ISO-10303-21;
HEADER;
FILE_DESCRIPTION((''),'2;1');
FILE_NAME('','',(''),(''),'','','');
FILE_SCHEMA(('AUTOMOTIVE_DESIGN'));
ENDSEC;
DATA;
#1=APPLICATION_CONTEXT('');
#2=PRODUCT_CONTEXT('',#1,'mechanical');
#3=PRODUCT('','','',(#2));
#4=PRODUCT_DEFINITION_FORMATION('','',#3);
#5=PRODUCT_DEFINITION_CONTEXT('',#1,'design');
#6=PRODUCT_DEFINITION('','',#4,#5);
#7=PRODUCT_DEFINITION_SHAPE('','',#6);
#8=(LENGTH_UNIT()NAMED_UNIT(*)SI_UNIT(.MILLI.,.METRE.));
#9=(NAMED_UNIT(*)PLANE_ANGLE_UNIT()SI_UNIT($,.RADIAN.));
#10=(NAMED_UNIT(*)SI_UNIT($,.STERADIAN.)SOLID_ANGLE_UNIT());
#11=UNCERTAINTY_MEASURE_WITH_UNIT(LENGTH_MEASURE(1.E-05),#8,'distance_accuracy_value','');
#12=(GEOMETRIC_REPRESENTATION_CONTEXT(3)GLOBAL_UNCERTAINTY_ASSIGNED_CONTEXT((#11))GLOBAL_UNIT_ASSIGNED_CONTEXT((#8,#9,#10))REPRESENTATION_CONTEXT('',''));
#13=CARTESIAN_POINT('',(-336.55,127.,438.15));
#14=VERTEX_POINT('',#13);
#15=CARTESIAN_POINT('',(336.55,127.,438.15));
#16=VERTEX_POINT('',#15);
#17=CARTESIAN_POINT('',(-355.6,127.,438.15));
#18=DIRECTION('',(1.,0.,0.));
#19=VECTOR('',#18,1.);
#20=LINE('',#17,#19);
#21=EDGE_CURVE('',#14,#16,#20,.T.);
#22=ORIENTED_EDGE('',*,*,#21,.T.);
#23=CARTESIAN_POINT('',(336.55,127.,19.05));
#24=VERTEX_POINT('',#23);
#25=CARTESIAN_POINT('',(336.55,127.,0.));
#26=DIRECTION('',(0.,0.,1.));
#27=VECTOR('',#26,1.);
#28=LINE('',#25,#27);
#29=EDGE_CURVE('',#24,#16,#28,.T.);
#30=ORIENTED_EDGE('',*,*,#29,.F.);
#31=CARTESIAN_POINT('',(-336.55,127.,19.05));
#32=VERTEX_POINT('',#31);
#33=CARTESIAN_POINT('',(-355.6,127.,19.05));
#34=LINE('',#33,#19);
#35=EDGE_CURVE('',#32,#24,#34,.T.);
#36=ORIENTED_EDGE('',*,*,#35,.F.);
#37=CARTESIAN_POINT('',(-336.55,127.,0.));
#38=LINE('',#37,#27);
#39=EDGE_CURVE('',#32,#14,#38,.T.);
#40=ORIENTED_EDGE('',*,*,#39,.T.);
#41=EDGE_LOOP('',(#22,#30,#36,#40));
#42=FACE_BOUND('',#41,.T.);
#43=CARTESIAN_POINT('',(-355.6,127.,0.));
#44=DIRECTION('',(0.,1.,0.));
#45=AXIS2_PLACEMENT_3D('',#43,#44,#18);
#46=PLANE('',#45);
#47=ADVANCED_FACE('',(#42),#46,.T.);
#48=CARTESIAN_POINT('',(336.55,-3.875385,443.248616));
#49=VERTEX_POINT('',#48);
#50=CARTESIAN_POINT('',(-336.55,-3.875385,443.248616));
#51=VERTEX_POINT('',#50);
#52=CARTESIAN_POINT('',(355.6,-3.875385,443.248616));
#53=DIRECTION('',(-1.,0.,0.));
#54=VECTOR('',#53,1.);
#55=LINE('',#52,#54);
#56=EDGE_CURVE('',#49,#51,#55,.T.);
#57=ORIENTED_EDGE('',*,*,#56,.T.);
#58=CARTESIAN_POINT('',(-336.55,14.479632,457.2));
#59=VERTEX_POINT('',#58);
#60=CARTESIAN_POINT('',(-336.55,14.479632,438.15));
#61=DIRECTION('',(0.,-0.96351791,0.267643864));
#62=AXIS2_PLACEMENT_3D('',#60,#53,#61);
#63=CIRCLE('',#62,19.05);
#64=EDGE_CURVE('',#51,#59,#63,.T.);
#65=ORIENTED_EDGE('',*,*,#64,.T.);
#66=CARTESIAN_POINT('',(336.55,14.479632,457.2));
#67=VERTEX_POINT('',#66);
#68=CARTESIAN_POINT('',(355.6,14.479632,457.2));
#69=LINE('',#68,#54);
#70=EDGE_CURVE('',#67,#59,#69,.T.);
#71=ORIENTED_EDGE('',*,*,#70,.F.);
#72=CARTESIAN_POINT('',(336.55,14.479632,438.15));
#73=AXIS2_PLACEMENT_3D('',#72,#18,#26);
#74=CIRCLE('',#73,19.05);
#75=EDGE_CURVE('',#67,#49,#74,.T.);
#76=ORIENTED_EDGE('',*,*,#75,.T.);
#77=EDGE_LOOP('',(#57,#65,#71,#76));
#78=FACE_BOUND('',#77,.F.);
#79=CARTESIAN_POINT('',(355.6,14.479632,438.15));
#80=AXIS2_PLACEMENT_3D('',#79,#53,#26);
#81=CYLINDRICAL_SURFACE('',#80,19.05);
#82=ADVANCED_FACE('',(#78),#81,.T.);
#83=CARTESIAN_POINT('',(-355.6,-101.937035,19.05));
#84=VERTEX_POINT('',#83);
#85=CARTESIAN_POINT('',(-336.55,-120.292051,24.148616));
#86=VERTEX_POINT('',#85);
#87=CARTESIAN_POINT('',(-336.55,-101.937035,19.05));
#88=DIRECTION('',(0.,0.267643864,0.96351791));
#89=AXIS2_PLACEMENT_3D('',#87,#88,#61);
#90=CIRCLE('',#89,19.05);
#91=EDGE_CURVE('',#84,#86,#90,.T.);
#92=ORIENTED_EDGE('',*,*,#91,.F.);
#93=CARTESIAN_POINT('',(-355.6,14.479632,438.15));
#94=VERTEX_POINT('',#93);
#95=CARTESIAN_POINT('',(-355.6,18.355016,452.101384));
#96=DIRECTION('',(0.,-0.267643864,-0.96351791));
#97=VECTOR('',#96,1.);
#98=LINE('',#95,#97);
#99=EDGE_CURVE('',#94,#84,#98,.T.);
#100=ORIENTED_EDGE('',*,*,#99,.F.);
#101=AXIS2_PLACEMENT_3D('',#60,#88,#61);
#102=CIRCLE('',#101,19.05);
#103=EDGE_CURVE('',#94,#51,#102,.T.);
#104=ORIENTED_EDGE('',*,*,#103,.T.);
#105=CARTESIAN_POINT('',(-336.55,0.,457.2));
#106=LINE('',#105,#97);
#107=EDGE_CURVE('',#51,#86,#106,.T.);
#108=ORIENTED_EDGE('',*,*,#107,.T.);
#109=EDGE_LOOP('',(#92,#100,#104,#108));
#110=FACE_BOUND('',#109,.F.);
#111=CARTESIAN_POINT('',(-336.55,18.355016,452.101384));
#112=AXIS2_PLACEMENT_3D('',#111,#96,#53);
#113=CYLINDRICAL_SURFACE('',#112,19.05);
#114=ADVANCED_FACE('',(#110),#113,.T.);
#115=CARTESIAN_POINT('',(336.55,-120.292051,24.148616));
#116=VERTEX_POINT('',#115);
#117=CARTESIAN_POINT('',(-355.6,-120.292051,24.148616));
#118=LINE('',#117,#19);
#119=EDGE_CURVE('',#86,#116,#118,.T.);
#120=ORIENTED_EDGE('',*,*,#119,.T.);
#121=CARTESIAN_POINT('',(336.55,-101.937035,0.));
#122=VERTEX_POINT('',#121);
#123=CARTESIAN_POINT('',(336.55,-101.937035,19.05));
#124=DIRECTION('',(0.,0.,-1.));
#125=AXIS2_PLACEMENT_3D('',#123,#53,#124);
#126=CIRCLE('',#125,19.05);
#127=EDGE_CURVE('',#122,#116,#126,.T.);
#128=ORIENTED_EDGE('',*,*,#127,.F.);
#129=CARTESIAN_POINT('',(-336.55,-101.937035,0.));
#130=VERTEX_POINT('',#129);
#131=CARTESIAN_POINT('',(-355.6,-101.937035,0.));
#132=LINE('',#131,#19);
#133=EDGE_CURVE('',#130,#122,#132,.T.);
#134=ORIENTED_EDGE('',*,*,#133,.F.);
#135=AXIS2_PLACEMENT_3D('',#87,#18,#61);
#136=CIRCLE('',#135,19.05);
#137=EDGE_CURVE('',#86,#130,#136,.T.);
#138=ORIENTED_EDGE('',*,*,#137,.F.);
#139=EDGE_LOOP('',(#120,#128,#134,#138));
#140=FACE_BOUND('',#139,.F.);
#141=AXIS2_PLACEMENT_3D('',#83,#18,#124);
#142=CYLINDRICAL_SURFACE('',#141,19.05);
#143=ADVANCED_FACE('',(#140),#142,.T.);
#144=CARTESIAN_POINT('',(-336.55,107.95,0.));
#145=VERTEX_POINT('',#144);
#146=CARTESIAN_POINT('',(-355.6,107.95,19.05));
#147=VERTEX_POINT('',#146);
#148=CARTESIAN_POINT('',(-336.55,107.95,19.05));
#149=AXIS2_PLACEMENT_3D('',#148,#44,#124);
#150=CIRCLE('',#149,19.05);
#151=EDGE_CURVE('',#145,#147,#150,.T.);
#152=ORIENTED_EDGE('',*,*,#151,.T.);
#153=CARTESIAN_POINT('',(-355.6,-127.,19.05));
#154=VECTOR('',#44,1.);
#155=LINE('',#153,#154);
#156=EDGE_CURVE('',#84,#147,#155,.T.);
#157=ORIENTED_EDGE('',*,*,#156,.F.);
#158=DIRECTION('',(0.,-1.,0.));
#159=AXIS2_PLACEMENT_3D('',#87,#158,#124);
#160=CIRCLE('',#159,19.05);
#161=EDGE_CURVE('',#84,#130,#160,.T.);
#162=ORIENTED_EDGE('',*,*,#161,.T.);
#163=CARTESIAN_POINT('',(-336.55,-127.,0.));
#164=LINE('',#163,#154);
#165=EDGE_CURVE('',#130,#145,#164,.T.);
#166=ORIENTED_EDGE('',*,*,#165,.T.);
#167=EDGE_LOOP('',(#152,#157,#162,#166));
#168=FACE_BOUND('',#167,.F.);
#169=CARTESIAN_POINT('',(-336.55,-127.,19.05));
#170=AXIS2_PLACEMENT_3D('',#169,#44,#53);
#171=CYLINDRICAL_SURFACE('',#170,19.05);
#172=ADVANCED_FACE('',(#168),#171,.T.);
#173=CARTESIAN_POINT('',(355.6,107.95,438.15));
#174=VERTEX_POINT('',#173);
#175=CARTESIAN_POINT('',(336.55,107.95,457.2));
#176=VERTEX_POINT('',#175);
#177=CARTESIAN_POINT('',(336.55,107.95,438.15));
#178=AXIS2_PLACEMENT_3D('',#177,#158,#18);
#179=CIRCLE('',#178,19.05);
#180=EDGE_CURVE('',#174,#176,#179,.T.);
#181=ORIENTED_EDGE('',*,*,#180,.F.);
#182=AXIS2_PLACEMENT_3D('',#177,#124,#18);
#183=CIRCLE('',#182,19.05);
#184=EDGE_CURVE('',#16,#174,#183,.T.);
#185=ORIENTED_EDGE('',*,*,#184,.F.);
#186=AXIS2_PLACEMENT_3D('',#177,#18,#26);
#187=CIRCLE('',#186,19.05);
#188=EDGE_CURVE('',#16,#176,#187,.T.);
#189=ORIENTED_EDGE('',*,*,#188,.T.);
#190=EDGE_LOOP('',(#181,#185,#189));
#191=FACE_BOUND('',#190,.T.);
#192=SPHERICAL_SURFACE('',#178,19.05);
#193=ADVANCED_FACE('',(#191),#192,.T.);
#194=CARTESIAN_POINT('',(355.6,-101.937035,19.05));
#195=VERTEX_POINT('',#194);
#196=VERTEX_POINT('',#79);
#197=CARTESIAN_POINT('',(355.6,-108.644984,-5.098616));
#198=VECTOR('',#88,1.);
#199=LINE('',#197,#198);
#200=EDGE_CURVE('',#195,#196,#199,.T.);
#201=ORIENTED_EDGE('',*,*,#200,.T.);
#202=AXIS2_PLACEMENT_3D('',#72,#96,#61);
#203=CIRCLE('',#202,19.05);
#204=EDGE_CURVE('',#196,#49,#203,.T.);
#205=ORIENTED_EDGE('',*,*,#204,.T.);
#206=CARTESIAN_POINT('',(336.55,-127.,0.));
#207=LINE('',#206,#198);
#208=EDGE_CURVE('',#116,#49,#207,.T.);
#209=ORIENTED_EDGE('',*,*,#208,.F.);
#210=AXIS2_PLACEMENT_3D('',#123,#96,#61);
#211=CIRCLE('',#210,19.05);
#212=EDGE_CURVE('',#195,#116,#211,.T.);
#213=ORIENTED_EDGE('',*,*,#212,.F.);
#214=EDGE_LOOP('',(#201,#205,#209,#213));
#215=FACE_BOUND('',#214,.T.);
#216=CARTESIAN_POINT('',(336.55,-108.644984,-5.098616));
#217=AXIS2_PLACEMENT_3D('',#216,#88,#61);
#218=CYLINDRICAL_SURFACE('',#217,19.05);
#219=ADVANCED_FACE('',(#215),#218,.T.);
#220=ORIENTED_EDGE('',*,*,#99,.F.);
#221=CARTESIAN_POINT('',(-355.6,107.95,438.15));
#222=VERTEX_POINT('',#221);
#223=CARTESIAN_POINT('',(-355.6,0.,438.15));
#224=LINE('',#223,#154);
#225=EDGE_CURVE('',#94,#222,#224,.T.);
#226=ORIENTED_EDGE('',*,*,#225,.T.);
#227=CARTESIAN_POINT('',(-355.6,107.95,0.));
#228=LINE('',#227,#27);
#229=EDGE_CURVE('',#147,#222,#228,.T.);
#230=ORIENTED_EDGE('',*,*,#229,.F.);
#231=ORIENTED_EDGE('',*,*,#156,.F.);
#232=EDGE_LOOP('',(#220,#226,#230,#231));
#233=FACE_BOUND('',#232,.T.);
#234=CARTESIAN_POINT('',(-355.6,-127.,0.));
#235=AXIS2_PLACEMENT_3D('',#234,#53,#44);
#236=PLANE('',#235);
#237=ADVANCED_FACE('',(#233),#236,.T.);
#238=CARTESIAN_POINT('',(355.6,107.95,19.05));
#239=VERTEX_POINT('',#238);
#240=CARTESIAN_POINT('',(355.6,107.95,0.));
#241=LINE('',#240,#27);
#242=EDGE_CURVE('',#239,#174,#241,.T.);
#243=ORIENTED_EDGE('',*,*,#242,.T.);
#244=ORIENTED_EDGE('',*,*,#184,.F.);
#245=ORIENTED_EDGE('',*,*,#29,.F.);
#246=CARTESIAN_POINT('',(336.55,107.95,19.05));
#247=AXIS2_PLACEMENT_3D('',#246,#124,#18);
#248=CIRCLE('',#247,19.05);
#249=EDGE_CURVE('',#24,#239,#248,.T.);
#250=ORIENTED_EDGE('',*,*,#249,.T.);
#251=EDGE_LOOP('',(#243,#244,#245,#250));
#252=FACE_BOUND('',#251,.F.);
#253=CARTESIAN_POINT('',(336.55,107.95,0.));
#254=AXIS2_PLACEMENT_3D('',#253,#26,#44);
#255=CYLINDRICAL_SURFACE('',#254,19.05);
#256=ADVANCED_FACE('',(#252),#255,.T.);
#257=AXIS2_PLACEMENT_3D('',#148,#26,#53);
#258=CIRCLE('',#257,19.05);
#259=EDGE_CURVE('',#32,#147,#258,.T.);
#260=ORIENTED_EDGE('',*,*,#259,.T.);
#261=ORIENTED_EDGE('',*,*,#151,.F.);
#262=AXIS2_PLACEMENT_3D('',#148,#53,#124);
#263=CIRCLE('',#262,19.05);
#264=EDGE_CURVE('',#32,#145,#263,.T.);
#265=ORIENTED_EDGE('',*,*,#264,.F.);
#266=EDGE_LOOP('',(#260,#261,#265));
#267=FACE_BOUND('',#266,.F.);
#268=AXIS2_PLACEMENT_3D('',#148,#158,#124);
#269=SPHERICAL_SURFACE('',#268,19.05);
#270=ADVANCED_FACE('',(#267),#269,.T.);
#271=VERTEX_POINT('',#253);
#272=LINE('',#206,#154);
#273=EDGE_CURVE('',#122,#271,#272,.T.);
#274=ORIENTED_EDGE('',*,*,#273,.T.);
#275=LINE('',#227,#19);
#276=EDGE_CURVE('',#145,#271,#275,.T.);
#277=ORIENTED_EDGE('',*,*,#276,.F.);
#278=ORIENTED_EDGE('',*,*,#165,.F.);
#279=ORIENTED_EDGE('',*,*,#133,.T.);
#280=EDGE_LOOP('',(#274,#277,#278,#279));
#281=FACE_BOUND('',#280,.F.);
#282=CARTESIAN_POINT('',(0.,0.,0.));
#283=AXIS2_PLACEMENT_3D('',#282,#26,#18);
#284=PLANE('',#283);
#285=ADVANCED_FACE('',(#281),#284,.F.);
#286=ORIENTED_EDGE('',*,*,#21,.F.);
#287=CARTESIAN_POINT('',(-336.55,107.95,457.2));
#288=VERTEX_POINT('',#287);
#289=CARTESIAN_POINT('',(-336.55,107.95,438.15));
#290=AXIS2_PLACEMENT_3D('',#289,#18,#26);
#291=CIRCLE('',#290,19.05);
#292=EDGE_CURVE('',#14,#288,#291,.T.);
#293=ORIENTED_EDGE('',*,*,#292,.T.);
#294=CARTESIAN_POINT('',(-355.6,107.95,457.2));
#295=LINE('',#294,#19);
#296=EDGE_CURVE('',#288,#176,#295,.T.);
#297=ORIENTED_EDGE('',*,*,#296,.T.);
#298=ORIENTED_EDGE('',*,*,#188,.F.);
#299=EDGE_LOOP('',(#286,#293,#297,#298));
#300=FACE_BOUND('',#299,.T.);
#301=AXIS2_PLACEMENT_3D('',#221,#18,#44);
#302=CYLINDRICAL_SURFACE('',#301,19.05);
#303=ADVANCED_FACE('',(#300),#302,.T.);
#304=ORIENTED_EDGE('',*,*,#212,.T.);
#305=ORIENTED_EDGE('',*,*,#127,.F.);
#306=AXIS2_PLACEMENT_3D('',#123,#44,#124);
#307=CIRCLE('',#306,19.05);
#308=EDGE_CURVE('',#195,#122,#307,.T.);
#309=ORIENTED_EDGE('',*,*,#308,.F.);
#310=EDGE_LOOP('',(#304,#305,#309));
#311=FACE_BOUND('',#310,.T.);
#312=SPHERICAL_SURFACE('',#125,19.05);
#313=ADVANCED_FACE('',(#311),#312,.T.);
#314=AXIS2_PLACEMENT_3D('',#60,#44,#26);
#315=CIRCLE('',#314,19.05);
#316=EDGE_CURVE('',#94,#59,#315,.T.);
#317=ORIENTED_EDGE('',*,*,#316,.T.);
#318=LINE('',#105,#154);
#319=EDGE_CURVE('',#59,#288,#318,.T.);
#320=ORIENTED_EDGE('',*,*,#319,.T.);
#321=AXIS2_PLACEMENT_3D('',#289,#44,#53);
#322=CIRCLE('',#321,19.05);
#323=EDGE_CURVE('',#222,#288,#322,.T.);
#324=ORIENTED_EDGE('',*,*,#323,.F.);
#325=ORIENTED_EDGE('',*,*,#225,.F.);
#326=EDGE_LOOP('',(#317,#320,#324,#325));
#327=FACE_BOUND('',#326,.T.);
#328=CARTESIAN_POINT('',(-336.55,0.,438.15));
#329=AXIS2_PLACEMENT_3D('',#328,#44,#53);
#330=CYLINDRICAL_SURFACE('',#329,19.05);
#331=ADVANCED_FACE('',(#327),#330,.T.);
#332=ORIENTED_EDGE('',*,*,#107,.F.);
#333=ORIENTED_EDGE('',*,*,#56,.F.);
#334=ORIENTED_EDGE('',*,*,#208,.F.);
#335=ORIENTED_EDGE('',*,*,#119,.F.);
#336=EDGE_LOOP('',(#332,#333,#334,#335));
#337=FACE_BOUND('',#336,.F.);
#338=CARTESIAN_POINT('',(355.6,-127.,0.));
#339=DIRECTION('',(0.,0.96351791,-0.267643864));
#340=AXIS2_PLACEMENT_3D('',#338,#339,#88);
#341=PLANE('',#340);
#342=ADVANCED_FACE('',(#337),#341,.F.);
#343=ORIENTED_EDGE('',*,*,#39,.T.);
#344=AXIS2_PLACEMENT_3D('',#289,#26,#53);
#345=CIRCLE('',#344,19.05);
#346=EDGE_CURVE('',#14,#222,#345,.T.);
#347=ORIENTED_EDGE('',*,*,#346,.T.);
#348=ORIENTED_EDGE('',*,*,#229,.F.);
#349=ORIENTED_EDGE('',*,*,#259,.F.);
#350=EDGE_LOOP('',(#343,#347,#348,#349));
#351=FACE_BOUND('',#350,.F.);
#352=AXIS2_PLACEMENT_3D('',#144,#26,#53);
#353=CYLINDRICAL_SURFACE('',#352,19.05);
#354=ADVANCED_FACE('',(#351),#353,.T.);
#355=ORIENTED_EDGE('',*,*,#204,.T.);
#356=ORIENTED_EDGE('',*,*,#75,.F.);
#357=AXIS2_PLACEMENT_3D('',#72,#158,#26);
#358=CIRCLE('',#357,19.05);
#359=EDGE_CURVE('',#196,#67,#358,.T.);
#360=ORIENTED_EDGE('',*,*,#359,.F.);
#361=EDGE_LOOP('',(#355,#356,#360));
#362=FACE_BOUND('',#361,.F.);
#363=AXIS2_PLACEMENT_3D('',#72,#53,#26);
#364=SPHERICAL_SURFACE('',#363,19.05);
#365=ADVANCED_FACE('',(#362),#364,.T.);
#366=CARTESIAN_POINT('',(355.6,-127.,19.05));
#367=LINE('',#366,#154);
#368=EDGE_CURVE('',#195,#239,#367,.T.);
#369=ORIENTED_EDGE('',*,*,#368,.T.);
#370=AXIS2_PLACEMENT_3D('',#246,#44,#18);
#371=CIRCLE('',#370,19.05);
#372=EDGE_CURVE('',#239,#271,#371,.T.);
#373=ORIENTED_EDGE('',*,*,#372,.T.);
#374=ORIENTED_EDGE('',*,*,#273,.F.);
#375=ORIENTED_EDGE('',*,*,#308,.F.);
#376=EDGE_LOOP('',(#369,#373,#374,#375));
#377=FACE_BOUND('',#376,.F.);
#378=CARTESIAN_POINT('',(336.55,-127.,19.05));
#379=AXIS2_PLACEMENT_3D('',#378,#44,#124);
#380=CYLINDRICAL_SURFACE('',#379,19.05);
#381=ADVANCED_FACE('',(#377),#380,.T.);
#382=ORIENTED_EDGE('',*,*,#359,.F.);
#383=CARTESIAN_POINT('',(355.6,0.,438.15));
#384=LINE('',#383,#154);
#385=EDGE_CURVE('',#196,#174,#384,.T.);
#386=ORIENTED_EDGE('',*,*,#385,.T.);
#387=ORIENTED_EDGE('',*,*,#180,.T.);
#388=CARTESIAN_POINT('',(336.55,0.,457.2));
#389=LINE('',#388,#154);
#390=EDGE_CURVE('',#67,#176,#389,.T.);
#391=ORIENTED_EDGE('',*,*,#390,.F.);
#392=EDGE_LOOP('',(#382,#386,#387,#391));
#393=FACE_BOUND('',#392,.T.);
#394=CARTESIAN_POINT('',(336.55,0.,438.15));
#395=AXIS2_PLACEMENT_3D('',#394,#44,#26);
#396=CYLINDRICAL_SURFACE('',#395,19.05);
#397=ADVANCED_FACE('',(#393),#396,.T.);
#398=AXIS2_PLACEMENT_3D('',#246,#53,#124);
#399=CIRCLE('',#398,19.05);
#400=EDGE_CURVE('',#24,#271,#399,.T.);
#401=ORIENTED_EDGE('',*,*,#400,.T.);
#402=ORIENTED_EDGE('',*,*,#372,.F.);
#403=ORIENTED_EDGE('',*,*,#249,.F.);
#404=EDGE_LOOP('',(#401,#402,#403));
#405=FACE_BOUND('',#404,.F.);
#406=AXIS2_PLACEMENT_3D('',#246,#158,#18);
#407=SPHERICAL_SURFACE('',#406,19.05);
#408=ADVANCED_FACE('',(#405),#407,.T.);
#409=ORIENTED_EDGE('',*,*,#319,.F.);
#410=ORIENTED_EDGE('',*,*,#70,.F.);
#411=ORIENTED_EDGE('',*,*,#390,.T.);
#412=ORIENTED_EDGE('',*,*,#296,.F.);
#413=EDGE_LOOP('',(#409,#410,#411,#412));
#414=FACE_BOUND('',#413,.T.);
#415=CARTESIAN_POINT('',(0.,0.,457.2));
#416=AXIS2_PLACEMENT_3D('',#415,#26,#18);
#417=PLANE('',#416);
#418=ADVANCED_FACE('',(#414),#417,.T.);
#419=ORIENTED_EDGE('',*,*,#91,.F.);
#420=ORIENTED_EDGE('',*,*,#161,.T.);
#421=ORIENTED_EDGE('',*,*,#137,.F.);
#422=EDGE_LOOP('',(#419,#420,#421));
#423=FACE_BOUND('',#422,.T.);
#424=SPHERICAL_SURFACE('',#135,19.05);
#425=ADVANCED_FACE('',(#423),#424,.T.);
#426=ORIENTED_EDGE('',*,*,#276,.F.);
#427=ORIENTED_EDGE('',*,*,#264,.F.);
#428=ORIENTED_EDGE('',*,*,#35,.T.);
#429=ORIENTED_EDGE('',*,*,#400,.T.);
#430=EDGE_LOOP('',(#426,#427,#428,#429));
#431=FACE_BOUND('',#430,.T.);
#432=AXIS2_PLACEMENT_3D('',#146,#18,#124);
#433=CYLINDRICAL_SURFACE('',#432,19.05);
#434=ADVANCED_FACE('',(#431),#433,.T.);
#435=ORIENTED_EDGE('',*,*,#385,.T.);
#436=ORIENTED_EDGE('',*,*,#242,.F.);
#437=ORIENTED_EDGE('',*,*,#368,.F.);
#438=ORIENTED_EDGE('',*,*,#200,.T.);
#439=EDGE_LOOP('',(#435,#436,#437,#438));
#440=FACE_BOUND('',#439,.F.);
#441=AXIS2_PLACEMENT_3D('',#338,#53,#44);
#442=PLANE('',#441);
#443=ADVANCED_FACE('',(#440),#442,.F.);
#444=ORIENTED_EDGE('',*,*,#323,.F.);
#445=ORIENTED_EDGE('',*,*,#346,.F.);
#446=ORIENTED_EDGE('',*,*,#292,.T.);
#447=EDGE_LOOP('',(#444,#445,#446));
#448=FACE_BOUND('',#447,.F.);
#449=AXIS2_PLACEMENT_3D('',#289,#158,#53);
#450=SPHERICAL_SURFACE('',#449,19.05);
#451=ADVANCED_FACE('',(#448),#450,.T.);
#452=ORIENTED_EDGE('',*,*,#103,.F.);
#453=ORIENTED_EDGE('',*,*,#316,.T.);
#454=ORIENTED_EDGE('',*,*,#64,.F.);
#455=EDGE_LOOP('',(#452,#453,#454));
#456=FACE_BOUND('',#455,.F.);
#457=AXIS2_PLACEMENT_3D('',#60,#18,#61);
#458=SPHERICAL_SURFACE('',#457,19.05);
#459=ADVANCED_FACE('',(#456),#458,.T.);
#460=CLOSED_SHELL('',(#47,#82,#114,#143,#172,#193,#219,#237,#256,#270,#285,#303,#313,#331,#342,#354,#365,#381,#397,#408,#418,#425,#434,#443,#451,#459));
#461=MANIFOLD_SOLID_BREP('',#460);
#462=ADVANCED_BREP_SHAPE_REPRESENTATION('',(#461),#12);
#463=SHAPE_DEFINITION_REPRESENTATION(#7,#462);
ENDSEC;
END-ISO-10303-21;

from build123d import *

# Parameters (mm, degrees)
F0_W     = 711.2
F0_H     = 254
F1_DEPTH = 457.2
F3_DEPTH = 711.201
F4_R     = 19.05


with BuildPart() as f1:
    # F0 (on Top) → F1 (new body)
    with BuildSketch(Plane.XY):
        Rectangle(F0_W, F0_H)
    extrude(amount=F1_DEPTH)

    # F2 (on face) → F3 (cut, through all)
    with BuildSketch(Plane.YZ.offset(355.6)):
        Polygon((-127, 457.2), (-127, 0), (0, 457.2), align=None)
    extrude(amount=-F3_DEPTH, mode=Mode.SUBTRACT)

    # F4
    f4_edges = [f1.edges().sort_by_distance(p)[0] for p in [
        (0, -127, 0),
        (355.6, 0, 0),
        (355.6, -63.5, 228.6),
        (-355.6, -63.5, 228.6),
        (-355.6, 0, 0),
        (-355.6, 63.5, 457.2),
        (0, 0, 457.2),
        (355.6, 63.5, 457.2),
        (355.6, 127, 228.6),
        (0, 127, 0),
        (-355.6, 127, 228.6),
        (0, 127, 457.2),
    ]]
    fillet(f4_edges, radius=F4_R)


solid = f1.part
